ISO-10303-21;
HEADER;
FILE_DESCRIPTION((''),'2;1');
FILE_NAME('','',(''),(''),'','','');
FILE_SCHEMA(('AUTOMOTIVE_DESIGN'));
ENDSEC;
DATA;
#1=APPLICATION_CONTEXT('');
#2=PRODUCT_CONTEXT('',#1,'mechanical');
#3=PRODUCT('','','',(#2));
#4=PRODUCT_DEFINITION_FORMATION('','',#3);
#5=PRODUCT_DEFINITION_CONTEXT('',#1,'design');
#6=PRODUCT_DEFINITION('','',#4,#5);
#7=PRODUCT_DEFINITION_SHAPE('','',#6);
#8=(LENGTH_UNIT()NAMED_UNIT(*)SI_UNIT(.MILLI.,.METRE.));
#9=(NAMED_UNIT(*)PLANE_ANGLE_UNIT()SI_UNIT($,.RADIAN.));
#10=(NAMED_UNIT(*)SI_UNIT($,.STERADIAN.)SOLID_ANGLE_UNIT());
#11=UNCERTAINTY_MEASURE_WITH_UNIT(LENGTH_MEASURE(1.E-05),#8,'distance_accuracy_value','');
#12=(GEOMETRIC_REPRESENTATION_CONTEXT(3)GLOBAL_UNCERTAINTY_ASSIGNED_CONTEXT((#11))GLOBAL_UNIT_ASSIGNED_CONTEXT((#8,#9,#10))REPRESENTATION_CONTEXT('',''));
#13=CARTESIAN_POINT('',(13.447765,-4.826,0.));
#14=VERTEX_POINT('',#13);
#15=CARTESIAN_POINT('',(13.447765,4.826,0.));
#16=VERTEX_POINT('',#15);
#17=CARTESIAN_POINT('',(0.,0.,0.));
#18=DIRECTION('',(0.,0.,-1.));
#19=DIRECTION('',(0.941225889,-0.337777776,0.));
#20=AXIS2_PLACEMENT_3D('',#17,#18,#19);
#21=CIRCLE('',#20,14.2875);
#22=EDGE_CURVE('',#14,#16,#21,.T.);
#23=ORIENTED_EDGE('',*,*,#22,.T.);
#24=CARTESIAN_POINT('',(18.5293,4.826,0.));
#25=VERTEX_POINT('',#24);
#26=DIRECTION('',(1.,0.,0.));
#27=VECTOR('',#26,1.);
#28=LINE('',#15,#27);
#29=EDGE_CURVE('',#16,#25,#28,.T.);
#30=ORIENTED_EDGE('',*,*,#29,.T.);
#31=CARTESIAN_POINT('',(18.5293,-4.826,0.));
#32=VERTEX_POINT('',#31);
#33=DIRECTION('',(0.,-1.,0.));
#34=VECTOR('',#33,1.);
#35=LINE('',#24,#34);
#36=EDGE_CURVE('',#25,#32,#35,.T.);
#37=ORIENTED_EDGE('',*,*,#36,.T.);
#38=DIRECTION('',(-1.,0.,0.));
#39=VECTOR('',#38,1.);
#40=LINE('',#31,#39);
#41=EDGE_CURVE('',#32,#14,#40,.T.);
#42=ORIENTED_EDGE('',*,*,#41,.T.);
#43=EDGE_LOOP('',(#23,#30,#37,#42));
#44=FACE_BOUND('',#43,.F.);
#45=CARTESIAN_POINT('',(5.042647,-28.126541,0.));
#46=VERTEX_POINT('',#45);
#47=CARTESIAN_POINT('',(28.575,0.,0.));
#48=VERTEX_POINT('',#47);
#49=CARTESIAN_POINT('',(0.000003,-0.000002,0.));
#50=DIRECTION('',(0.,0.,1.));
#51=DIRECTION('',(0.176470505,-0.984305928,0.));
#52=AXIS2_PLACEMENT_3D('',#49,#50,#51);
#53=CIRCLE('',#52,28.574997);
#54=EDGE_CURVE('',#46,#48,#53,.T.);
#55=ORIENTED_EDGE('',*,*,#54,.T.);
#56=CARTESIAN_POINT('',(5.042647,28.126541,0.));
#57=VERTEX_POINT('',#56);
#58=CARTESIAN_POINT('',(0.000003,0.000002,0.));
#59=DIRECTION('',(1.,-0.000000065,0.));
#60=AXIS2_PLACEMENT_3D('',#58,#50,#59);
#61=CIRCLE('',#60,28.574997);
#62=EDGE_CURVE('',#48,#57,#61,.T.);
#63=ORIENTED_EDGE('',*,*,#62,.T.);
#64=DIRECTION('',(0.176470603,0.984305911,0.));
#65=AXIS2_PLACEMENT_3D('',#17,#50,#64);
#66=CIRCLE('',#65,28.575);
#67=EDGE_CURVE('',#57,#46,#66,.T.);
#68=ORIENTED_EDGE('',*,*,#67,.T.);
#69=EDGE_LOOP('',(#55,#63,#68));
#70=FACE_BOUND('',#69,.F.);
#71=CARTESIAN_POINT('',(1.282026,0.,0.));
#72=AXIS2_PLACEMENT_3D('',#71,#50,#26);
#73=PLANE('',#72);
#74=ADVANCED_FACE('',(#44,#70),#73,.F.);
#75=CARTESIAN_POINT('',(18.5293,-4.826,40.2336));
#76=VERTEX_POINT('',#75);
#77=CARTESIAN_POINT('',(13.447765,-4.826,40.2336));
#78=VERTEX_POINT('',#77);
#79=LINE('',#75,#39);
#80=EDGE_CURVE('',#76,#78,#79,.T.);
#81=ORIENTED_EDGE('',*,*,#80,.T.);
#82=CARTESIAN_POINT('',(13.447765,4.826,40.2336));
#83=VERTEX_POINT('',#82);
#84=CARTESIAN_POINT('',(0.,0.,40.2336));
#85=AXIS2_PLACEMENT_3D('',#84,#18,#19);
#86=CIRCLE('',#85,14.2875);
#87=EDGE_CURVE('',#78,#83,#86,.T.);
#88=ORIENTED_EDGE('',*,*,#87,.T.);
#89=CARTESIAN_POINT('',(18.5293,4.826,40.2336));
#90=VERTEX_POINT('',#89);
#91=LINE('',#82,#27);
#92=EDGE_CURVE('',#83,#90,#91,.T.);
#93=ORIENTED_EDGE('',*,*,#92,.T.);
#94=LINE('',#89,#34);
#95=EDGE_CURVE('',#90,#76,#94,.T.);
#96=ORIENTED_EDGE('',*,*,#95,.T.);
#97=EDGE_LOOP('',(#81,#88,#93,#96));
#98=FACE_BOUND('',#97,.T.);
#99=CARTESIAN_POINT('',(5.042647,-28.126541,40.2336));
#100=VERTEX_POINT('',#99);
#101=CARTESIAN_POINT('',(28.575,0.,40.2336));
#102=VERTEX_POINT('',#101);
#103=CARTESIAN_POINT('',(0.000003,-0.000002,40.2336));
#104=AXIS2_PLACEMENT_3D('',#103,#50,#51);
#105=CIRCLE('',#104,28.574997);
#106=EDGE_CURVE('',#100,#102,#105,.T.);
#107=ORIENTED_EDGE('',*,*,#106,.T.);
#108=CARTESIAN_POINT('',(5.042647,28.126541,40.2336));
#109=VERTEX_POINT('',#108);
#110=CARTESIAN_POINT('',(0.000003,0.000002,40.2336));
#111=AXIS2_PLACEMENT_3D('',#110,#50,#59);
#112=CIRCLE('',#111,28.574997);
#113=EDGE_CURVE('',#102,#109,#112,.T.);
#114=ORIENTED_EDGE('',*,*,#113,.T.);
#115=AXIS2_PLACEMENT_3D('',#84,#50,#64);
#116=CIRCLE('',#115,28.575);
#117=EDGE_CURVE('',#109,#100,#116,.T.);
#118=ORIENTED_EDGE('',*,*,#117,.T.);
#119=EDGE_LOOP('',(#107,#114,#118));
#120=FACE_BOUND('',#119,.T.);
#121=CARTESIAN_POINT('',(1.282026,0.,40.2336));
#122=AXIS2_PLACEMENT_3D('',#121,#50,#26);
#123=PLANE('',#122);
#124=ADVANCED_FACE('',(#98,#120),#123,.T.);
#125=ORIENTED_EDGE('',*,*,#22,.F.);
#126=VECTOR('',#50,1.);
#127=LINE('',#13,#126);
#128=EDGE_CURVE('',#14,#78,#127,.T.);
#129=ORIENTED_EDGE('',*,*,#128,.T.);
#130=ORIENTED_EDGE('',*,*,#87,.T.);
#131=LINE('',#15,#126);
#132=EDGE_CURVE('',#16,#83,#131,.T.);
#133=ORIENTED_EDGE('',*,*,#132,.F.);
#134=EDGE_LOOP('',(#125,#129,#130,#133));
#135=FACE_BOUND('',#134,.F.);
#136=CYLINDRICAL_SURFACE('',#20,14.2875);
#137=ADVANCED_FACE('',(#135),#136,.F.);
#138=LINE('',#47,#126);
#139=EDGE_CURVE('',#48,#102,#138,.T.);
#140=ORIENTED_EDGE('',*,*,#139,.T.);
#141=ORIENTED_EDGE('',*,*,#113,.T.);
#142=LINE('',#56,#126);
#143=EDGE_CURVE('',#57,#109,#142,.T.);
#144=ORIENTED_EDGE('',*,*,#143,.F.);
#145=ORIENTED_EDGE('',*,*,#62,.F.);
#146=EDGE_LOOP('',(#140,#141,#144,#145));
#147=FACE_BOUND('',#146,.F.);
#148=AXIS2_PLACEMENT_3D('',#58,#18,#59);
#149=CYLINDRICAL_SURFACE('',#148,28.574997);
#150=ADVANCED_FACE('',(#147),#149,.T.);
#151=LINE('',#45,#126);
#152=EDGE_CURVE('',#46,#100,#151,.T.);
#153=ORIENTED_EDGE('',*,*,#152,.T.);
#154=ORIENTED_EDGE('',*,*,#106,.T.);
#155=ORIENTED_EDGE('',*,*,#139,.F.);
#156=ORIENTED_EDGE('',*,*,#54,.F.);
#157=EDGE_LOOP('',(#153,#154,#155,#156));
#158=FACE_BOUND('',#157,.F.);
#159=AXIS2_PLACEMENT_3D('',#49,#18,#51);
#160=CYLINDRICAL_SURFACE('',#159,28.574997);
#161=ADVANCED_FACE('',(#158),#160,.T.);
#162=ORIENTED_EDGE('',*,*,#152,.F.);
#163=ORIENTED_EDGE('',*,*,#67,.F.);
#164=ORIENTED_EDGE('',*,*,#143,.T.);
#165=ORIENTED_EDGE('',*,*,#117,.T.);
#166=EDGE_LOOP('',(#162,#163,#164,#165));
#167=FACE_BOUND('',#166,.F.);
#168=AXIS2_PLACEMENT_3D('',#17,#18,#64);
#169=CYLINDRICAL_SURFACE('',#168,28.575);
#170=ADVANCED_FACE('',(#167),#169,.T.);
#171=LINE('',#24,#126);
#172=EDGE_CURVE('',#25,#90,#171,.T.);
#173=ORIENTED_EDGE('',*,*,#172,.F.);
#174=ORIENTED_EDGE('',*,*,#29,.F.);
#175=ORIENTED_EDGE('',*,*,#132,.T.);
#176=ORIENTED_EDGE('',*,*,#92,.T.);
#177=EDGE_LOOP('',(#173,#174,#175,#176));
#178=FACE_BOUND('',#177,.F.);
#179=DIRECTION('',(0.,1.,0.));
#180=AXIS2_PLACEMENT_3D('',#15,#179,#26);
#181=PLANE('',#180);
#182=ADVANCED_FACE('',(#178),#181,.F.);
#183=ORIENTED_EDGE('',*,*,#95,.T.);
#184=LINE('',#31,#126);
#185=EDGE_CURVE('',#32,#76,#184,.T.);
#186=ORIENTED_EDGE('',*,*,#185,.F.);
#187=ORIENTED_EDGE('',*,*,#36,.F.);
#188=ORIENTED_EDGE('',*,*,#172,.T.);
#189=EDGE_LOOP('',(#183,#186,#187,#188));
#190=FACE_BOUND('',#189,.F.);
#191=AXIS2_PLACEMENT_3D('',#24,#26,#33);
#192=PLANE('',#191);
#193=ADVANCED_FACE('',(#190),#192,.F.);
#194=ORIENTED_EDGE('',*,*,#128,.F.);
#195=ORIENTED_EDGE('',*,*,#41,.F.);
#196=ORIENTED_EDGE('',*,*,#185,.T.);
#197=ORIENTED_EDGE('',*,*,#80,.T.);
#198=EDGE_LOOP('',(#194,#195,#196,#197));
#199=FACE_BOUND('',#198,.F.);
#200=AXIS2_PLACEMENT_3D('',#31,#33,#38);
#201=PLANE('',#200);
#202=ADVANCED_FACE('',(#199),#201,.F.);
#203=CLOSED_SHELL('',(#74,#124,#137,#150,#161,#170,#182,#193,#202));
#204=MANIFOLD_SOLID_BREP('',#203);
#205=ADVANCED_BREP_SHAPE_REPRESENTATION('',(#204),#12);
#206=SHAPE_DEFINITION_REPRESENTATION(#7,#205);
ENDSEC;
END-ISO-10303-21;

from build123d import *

# Parameters (mm, degrees)
F1_DEPTH = 40.2336


with BuildPart() as f1:
    # F0 (on Top) → F1 (new body)
    with BuildSketch(Plane.XY):
        with BuildLine():
            ThreePointArc((5.042647, 28.126541), (-28.575, 0), (5.042647, -28.126541))
            ThreePointArc((5.042647, -28.126541), (21.916025, -18.336262), (28.575, 0))
            ThreePointArc((28.575, 0), (21.916025, 18.336262), (5.042647, 28.126541))
        make_face()
        with BuildLine():
            ThreePointArc((13.447765, -4.826), (-14.2875, 0), (13.447765, 4.826))
            Line((13.447765, 4.826), (18.5293, 4.826))
            Line((18.5293, 4.826), (18.5293, -4.826))
            Line((18.5293, -4.826), (13.447765, -4.826))
        make_face(mode=Mode.SUBTRACT)
    extrude(amount=F1_DEPTH)


solid = f1.part
